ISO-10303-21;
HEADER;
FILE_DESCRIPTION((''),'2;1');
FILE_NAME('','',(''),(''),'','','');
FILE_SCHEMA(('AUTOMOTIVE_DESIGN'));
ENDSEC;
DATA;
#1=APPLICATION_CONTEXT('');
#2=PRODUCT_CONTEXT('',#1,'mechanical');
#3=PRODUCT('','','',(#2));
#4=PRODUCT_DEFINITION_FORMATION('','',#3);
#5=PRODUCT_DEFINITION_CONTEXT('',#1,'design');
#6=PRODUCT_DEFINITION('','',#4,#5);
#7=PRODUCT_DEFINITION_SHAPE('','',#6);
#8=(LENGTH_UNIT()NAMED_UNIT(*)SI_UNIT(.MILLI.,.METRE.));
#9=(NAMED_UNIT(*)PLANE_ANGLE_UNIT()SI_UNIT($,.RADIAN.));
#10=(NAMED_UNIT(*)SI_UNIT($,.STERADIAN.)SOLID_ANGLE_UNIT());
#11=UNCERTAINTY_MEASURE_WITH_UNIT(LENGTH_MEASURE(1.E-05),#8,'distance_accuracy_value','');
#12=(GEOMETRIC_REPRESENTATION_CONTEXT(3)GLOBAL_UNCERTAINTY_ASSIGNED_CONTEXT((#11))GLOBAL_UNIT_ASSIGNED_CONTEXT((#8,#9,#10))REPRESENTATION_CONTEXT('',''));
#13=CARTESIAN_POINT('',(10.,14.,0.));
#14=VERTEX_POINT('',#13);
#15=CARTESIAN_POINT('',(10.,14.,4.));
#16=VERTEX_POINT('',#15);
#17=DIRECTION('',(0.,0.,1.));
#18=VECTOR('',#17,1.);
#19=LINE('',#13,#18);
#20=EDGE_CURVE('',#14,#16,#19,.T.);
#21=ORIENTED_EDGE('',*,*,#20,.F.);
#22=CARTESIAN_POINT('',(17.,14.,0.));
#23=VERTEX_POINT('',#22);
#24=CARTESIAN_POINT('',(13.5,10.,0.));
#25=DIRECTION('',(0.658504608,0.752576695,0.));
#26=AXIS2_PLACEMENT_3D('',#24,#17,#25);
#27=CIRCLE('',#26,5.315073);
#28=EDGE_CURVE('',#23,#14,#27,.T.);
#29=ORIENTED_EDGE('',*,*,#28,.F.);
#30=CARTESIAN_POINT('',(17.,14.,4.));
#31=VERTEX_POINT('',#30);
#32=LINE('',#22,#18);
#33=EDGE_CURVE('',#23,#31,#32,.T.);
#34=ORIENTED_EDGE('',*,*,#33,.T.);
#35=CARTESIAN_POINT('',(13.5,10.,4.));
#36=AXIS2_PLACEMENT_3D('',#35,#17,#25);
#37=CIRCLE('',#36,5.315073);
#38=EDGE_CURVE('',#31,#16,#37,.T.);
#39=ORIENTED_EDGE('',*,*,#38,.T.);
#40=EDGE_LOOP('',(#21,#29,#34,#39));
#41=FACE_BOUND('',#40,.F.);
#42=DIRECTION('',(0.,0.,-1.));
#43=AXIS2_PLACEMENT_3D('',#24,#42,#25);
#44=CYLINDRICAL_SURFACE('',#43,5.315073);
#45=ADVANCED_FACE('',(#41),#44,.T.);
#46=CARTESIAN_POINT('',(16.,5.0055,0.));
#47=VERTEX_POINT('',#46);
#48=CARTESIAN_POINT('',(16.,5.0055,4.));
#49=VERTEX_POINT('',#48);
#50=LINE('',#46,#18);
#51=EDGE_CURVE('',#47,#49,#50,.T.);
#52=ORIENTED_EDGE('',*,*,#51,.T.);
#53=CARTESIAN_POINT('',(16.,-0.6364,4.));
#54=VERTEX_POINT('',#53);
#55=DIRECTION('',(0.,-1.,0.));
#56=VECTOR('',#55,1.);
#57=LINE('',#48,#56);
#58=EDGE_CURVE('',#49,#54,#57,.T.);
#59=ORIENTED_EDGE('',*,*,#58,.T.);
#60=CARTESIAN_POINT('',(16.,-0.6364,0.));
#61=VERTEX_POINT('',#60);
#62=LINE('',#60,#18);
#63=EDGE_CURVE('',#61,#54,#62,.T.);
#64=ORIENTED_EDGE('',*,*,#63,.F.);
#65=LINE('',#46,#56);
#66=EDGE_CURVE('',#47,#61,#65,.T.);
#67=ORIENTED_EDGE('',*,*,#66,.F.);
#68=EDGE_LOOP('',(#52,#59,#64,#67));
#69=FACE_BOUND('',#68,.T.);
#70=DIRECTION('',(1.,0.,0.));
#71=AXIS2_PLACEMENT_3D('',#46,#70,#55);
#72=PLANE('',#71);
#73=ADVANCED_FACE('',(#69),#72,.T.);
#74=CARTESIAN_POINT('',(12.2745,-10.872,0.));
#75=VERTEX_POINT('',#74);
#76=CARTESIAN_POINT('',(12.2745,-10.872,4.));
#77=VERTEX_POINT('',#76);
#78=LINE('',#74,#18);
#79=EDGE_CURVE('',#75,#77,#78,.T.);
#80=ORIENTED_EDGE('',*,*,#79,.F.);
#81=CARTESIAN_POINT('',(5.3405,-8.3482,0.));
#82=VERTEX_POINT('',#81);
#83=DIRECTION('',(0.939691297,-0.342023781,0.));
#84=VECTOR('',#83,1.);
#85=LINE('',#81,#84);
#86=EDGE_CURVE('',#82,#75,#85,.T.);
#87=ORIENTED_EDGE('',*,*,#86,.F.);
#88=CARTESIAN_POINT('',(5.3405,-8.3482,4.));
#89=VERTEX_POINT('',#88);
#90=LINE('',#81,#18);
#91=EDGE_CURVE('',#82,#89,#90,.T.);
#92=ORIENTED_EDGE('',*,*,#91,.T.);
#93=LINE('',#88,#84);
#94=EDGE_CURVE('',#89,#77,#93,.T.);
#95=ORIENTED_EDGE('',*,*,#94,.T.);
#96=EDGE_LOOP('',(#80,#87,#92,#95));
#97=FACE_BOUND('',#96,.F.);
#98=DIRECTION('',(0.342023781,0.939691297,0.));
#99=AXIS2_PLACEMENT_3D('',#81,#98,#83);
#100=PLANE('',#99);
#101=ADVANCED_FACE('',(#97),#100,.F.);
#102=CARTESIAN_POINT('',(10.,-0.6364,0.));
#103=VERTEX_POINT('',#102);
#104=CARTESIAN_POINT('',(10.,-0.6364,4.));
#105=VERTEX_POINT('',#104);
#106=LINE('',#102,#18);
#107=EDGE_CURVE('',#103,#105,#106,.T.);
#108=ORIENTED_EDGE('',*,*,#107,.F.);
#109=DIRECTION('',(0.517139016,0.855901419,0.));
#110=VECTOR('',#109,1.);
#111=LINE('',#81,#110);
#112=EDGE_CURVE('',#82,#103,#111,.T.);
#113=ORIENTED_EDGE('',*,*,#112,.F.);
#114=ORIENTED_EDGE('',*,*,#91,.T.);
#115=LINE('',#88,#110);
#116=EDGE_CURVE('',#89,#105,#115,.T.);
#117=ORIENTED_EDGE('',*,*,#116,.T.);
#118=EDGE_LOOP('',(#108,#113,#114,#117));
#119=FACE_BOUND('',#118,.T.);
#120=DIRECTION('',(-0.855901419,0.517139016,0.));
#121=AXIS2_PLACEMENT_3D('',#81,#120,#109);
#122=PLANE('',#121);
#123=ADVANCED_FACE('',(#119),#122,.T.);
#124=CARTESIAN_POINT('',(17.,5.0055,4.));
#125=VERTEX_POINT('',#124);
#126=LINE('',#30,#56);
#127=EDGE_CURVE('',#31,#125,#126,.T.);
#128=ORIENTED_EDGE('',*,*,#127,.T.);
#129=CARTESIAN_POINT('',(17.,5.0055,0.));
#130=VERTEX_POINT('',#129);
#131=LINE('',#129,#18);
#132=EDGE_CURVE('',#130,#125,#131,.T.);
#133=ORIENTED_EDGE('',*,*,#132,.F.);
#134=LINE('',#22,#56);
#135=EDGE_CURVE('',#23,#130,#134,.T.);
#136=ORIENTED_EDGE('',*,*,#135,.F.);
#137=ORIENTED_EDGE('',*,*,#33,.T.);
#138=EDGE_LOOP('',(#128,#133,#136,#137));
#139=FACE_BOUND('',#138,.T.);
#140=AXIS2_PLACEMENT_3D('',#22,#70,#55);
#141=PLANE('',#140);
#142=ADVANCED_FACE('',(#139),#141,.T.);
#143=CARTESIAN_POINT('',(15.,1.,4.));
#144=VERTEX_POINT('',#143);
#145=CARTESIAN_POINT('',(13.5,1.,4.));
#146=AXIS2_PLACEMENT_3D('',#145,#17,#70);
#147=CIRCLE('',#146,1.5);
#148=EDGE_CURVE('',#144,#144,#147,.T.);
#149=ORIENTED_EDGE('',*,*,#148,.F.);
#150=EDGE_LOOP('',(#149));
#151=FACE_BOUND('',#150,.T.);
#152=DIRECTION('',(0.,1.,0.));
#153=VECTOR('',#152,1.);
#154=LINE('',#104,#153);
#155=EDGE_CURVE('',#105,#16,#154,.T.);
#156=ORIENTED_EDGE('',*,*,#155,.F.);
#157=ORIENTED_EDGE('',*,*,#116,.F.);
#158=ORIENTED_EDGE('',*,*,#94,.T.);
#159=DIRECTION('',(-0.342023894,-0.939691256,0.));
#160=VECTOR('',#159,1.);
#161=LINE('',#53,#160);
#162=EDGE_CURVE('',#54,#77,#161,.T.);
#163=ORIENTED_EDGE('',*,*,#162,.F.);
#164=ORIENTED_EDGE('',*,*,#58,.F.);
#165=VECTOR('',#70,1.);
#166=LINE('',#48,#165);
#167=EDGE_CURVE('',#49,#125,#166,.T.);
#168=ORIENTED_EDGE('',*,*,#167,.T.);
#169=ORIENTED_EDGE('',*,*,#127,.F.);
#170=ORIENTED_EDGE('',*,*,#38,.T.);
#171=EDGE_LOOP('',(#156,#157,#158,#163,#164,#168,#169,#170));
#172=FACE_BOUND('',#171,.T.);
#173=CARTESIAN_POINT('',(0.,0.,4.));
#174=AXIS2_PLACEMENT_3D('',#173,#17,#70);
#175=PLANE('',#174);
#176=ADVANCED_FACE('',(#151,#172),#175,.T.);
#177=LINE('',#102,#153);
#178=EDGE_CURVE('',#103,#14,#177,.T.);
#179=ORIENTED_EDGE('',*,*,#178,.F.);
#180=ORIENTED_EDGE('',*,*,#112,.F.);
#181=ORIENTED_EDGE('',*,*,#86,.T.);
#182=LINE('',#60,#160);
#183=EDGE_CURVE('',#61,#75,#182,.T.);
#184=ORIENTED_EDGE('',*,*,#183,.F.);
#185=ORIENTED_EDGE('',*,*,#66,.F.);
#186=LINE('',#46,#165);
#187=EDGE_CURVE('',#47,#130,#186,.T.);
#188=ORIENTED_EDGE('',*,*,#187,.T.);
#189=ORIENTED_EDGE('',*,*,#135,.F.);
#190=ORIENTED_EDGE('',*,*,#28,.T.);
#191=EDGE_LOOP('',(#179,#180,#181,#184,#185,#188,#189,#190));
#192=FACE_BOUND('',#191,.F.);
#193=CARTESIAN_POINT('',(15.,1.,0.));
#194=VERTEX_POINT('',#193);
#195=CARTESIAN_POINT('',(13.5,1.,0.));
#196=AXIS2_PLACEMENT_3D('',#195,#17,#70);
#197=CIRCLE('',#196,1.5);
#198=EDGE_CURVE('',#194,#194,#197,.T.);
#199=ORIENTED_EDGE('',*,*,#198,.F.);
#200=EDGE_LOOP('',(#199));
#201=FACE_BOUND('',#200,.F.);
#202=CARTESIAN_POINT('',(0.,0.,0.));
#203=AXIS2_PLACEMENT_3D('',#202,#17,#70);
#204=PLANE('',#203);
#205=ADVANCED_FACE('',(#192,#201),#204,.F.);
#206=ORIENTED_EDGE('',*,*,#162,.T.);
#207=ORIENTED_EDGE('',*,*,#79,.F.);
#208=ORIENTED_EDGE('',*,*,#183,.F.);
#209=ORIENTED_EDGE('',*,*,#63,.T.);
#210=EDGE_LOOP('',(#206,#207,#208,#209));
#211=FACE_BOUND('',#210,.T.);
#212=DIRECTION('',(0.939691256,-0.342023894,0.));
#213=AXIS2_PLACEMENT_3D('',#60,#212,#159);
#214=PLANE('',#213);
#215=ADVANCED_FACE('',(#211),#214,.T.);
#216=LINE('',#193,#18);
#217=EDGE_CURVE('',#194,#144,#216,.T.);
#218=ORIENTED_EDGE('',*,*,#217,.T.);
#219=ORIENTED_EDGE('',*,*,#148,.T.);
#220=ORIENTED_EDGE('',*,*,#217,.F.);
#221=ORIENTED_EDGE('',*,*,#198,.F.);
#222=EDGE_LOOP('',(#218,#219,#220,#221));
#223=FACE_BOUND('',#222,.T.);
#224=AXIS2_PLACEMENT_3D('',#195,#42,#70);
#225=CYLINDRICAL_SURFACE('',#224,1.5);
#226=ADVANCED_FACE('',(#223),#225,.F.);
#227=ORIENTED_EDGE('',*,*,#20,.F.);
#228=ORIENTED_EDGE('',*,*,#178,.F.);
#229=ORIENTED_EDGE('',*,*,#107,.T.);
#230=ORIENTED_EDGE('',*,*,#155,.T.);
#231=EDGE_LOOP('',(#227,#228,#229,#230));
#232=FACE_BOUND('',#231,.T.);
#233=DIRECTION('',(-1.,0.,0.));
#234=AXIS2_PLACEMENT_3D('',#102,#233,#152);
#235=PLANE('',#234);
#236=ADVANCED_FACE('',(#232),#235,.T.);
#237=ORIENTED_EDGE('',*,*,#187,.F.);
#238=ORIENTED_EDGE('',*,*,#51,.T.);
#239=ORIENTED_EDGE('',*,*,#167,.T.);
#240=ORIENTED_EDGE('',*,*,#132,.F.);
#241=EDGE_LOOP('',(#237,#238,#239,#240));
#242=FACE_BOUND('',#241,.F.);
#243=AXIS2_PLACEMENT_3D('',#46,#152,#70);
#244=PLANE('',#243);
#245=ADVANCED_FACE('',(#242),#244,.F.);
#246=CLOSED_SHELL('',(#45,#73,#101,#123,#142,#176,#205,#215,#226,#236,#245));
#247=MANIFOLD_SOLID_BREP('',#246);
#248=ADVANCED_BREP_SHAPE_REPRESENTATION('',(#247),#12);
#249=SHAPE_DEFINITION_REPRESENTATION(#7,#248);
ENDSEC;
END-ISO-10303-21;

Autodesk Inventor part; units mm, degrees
ref_plane "YZ Plane" through (0, 0, 0) normal (1, 0, 0) x (0, 1, 0)
ref_plane "XZ Plane" through (0, 0, 0) normal (0, 1, 0) x (-1, 0, 0)
ref_plane "XY Plane" through (0, 0, 0) normal (0, 0, 1) x (1, 0, 0)
sketch "Náčrt1" plane through (0, 0, 0) normal (0, 0, 1) x (1, 0, 0)
  arc A0 (17, 14) -> (10, 14) centre (13.5, 10) ccw
  circle A1 centre (13.5, 1) radius 1.5
  line L0 (16, 5.0055) -> (16, -0.6364)
  line L1 (16, 5.0055) -> (17, 5.0055)
  line L2 (17, 14) -> (17, 5.0055)
  line L3 (16, -0.6364) -> (12.2745, -10.872)
  line L4 (10, -0.6364) -> (10, 14)
  line L5 (5.3405, -8.3482) -> (10, -0.6364)
  line L6 (5.3405, -8.3482) -> (12.2745, -10.872)
  dimension "d65" = 3
  dimension "d70" = 9
  dimension "d71" = 1.6364
extrude "Vysunutí3" add sketch "Náčrt1" along normal blind 4
properties part number "pin"
